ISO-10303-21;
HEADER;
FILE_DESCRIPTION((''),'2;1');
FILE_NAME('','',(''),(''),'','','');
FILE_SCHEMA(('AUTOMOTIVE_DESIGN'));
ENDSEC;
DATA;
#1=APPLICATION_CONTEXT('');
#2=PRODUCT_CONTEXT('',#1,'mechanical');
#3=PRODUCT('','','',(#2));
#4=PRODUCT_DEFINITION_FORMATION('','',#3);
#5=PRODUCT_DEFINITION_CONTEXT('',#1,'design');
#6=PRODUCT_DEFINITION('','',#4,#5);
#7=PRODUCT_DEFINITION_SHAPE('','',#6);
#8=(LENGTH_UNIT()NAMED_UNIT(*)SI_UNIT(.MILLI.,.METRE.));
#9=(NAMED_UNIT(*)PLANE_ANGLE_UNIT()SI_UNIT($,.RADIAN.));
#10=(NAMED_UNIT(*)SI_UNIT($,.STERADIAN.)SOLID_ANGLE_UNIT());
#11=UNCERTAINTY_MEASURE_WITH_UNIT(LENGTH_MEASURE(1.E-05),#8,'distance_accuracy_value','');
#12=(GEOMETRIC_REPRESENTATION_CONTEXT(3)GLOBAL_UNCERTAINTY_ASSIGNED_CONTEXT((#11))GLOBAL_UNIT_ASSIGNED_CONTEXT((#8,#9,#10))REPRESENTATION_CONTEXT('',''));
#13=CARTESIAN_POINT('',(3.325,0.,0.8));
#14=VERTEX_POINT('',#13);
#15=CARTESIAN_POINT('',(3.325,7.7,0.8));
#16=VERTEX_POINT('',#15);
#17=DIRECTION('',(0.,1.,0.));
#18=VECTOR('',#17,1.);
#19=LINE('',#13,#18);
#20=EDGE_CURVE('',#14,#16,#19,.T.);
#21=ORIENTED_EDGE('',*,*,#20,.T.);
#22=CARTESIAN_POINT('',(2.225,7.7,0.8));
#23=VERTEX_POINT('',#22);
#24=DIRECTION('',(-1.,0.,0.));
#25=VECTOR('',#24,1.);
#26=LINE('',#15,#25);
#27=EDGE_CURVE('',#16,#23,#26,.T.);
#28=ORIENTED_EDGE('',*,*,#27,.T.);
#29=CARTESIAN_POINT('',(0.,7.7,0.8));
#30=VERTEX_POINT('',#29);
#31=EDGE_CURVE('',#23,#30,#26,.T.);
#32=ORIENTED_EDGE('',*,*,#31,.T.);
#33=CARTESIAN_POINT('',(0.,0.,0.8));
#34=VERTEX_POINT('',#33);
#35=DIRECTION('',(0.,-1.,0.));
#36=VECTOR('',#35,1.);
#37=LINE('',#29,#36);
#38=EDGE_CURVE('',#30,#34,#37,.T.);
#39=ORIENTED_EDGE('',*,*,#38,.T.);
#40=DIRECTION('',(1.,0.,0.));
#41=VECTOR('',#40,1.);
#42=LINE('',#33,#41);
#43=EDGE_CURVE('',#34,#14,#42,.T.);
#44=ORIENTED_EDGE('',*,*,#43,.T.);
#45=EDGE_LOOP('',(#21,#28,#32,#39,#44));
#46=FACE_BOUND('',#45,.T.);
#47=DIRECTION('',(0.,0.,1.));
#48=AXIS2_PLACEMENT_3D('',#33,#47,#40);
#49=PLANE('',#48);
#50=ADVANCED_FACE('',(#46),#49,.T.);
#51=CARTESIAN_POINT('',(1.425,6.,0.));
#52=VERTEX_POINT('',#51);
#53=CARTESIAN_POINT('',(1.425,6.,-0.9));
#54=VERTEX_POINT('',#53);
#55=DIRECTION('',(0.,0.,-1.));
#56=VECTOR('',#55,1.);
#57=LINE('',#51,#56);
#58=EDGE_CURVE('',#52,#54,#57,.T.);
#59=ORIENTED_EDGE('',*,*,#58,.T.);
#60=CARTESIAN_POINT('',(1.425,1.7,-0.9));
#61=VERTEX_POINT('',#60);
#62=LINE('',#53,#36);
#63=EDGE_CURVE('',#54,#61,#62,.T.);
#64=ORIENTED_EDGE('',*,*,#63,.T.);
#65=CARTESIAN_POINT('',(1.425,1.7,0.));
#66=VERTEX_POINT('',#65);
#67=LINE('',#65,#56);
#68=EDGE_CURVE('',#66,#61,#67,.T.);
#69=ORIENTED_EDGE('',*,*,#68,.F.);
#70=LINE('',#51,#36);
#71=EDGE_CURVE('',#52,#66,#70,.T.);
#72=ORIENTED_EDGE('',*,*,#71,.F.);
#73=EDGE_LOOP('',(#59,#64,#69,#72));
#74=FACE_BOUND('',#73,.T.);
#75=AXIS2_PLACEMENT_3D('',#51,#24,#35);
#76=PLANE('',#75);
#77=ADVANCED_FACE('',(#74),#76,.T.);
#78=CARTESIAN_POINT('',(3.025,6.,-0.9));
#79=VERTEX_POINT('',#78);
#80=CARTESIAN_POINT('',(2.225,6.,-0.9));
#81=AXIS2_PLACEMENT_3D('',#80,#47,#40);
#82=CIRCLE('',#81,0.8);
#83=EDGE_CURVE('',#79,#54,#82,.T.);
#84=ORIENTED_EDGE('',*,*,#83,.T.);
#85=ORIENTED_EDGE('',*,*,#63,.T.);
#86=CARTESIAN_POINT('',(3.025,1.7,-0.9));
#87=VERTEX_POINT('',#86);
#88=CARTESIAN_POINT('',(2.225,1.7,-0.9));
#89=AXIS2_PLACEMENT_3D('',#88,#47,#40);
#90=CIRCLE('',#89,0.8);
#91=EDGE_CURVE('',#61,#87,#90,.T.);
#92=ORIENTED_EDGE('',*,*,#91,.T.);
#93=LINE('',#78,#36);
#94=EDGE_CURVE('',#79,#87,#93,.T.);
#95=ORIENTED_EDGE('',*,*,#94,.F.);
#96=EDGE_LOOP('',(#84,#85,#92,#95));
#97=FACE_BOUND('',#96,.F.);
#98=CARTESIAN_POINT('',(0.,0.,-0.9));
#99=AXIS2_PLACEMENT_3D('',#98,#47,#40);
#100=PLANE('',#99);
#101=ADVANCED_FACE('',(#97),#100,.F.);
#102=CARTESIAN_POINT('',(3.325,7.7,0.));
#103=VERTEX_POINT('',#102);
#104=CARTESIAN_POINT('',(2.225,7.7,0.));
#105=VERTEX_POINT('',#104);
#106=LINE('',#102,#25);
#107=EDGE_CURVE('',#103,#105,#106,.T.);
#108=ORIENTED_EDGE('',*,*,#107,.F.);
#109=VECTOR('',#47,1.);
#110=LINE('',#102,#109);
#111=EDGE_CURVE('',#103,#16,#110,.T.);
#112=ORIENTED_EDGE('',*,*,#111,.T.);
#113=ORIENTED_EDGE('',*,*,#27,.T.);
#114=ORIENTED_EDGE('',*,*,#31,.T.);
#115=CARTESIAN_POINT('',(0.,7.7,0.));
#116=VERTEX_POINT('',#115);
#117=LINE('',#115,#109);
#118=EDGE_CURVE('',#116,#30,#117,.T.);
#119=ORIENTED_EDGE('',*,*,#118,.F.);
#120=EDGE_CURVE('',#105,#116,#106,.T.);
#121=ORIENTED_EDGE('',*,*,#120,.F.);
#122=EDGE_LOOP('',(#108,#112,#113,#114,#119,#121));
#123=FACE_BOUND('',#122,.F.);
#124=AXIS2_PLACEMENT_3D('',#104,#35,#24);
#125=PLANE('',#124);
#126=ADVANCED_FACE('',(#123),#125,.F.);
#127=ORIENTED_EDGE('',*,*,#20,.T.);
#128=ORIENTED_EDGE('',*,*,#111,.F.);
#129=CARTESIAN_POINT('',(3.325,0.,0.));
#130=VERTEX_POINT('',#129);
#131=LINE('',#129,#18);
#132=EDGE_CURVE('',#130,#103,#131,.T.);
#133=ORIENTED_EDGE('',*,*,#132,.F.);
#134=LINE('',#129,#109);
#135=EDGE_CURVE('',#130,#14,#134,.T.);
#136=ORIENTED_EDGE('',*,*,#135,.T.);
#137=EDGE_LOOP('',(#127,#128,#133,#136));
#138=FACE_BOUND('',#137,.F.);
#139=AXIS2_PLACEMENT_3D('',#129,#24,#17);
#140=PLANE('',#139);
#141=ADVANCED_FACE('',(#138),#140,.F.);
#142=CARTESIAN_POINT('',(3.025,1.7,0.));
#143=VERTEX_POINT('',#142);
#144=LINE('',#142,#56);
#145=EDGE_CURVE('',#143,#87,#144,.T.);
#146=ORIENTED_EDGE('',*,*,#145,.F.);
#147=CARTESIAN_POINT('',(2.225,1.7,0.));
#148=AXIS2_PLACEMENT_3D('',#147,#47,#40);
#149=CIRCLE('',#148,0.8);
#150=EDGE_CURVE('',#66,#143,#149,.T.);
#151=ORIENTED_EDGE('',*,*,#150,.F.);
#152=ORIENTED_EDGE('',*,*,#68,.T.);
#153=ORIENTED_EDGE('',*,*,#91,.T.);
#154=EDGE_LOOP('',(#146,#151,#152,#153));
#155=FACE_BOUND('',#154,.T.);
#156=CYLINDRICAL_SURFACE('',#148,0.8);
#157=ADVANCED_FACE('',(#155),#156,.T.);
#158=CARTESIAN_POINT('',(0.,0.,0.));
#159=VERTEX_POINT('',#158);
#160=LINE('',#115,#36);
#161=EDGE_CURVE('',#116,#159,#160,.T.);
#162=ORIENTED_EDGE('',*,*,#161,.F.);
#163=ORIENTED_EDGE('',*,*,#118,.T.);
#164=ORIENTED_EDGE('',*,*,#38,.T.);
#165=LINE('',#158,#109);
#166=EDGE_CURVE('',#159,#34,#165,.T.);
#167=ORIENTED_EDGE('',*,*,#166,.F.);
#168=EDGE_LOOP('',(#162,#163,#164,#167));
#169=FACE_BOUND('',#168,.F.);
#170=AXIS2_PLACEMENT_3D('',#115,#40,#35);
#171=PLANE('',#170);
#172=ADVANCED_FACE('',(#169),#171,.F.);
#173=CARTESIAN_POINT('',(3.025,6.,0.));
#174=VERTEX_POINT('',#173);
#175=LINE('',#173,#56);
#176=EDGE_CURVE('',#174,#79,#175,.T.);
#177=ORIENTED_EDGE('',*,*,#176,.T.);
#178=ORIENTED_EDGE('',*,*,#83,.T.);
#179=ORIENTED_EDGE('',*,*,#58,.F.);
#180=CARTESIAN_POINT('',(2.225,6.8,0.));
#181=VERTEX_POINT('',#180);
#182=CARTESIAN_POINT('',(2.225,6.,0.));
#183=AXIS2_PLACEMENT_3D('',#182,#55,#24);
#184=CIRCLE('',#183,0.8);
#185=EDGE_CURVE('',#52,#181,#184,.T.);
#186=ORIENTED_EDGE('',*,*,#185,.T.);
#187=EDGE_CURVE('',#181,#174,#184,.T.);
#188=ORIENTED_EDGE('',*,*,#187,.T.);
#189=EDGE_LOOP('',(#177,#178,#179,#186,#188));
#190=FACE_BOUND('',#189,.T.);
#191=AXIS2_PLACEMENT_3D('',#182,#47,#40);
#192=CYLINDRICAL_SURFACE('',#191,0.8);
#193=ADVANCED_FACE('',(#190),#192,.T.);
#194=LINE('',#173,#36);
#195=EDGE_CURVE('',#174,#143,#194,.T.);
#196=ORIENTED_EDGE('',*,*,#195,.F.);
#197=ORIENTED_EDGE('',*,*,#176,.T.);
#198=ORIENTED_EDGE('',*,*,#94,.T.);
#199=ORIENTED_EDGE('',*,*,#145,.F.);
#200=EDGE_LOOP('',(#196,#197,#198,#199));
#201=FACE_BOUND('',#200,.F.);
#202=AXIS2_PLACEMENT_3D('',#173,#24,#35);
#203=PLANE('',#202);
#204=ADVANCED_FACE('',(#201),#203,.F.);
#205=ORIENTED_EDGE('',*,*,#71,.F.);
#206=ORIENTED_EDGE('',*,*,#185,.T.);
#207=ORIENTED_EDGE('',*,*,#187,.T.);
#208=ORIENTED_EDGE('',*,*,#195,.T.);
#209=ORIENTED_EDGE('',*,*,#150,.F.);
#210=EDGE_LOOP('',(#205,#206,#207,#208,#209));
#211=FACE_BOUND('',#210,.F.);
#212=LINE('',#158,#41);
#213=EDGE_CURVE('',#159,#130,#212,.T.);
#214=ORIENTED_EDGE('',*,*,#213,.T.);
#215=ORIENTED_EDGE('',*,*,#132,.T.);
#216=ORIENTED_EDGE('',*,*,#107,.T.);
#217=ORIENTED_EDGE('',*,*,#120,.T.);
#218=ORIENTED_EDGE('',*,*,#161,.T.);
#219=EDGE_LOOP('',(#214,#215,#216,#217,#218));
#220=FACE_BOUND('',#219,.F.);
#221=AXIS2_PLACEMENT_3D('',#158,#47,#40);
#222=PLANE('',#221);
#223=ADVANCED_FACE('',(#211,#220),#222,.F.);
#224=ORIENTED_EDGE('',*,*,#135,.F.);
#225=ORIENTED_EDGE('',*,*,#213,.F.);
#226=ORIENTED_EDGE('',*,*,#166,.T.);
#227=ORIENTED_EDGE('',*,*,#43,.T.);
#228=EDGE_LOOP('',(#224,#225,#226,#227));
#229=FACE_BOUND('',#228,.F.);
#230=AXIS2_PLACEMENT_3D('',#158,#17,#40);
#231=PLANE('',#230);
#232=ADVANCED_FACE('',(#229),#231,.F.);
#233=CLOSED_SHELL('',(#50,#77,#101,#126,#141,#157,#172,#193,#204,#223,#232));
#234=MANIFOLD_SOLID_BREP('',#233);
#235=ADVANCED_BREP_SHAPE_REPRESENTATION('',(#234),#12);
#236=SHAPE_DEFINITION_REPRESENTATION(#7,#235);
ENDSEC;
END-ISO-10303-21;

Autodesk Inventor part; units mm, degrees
ref_plane "YZ Plane" through (0, 0, 0) normal (1, 0, 0) x (0, 1, 0)
ref_plane "XZ Plane" through (0, 0, 0) normal (0, 1, 0) x (-1, 0, 0)
ref_plane "XY Plane" through (0, 0, 0) normal (0, 0, 1) x (1, 0, 0)
sketch "Sketch1" plane through (0, 0, 0) normal (0, 0, 1) x (1, 0, 0)
  line L0 (0, 0) -> (3.325, 0)
  line L1 (3.325, 0) -> (3.325, 7.7)
  line L2 (3.325, 7.7) -> (0, 7.7)
  line L3 (0, 7.7) -> (0, 0)
  circle A0 centre (2.225, 6) radius 0.8
  circle A1 centre (2.225, 1.7) radius 0.8
  line L4 (3.025, 6) -> (3.025, 1.7)
  line L5 (1.425, 6) -> (1.425, 1.7)
  line L6 (2.225, 6) -> (2.225, 7.7)
  dimension "d0" = 7.7
  dimension "d2" = 1.6
  dimension "d3" = 1.6
  dimension "d4" = 1.7
  dimension "d5" = 1.7
  dimension "d10" = 1.425
  dimension "d11" = 0.3
extrude "Extrusion1" add sketch "Sketch1" along normal blind 0.8 contours A0 | L3 L2 L1 L0 | L4 A1 L5 A0 | A1
extrude "Extrusion2" add sketch "Sketch1" against normal blind 0.9 contours A0 | L4 A1 L5 A0 | A1
properties part number "LightPipe"
